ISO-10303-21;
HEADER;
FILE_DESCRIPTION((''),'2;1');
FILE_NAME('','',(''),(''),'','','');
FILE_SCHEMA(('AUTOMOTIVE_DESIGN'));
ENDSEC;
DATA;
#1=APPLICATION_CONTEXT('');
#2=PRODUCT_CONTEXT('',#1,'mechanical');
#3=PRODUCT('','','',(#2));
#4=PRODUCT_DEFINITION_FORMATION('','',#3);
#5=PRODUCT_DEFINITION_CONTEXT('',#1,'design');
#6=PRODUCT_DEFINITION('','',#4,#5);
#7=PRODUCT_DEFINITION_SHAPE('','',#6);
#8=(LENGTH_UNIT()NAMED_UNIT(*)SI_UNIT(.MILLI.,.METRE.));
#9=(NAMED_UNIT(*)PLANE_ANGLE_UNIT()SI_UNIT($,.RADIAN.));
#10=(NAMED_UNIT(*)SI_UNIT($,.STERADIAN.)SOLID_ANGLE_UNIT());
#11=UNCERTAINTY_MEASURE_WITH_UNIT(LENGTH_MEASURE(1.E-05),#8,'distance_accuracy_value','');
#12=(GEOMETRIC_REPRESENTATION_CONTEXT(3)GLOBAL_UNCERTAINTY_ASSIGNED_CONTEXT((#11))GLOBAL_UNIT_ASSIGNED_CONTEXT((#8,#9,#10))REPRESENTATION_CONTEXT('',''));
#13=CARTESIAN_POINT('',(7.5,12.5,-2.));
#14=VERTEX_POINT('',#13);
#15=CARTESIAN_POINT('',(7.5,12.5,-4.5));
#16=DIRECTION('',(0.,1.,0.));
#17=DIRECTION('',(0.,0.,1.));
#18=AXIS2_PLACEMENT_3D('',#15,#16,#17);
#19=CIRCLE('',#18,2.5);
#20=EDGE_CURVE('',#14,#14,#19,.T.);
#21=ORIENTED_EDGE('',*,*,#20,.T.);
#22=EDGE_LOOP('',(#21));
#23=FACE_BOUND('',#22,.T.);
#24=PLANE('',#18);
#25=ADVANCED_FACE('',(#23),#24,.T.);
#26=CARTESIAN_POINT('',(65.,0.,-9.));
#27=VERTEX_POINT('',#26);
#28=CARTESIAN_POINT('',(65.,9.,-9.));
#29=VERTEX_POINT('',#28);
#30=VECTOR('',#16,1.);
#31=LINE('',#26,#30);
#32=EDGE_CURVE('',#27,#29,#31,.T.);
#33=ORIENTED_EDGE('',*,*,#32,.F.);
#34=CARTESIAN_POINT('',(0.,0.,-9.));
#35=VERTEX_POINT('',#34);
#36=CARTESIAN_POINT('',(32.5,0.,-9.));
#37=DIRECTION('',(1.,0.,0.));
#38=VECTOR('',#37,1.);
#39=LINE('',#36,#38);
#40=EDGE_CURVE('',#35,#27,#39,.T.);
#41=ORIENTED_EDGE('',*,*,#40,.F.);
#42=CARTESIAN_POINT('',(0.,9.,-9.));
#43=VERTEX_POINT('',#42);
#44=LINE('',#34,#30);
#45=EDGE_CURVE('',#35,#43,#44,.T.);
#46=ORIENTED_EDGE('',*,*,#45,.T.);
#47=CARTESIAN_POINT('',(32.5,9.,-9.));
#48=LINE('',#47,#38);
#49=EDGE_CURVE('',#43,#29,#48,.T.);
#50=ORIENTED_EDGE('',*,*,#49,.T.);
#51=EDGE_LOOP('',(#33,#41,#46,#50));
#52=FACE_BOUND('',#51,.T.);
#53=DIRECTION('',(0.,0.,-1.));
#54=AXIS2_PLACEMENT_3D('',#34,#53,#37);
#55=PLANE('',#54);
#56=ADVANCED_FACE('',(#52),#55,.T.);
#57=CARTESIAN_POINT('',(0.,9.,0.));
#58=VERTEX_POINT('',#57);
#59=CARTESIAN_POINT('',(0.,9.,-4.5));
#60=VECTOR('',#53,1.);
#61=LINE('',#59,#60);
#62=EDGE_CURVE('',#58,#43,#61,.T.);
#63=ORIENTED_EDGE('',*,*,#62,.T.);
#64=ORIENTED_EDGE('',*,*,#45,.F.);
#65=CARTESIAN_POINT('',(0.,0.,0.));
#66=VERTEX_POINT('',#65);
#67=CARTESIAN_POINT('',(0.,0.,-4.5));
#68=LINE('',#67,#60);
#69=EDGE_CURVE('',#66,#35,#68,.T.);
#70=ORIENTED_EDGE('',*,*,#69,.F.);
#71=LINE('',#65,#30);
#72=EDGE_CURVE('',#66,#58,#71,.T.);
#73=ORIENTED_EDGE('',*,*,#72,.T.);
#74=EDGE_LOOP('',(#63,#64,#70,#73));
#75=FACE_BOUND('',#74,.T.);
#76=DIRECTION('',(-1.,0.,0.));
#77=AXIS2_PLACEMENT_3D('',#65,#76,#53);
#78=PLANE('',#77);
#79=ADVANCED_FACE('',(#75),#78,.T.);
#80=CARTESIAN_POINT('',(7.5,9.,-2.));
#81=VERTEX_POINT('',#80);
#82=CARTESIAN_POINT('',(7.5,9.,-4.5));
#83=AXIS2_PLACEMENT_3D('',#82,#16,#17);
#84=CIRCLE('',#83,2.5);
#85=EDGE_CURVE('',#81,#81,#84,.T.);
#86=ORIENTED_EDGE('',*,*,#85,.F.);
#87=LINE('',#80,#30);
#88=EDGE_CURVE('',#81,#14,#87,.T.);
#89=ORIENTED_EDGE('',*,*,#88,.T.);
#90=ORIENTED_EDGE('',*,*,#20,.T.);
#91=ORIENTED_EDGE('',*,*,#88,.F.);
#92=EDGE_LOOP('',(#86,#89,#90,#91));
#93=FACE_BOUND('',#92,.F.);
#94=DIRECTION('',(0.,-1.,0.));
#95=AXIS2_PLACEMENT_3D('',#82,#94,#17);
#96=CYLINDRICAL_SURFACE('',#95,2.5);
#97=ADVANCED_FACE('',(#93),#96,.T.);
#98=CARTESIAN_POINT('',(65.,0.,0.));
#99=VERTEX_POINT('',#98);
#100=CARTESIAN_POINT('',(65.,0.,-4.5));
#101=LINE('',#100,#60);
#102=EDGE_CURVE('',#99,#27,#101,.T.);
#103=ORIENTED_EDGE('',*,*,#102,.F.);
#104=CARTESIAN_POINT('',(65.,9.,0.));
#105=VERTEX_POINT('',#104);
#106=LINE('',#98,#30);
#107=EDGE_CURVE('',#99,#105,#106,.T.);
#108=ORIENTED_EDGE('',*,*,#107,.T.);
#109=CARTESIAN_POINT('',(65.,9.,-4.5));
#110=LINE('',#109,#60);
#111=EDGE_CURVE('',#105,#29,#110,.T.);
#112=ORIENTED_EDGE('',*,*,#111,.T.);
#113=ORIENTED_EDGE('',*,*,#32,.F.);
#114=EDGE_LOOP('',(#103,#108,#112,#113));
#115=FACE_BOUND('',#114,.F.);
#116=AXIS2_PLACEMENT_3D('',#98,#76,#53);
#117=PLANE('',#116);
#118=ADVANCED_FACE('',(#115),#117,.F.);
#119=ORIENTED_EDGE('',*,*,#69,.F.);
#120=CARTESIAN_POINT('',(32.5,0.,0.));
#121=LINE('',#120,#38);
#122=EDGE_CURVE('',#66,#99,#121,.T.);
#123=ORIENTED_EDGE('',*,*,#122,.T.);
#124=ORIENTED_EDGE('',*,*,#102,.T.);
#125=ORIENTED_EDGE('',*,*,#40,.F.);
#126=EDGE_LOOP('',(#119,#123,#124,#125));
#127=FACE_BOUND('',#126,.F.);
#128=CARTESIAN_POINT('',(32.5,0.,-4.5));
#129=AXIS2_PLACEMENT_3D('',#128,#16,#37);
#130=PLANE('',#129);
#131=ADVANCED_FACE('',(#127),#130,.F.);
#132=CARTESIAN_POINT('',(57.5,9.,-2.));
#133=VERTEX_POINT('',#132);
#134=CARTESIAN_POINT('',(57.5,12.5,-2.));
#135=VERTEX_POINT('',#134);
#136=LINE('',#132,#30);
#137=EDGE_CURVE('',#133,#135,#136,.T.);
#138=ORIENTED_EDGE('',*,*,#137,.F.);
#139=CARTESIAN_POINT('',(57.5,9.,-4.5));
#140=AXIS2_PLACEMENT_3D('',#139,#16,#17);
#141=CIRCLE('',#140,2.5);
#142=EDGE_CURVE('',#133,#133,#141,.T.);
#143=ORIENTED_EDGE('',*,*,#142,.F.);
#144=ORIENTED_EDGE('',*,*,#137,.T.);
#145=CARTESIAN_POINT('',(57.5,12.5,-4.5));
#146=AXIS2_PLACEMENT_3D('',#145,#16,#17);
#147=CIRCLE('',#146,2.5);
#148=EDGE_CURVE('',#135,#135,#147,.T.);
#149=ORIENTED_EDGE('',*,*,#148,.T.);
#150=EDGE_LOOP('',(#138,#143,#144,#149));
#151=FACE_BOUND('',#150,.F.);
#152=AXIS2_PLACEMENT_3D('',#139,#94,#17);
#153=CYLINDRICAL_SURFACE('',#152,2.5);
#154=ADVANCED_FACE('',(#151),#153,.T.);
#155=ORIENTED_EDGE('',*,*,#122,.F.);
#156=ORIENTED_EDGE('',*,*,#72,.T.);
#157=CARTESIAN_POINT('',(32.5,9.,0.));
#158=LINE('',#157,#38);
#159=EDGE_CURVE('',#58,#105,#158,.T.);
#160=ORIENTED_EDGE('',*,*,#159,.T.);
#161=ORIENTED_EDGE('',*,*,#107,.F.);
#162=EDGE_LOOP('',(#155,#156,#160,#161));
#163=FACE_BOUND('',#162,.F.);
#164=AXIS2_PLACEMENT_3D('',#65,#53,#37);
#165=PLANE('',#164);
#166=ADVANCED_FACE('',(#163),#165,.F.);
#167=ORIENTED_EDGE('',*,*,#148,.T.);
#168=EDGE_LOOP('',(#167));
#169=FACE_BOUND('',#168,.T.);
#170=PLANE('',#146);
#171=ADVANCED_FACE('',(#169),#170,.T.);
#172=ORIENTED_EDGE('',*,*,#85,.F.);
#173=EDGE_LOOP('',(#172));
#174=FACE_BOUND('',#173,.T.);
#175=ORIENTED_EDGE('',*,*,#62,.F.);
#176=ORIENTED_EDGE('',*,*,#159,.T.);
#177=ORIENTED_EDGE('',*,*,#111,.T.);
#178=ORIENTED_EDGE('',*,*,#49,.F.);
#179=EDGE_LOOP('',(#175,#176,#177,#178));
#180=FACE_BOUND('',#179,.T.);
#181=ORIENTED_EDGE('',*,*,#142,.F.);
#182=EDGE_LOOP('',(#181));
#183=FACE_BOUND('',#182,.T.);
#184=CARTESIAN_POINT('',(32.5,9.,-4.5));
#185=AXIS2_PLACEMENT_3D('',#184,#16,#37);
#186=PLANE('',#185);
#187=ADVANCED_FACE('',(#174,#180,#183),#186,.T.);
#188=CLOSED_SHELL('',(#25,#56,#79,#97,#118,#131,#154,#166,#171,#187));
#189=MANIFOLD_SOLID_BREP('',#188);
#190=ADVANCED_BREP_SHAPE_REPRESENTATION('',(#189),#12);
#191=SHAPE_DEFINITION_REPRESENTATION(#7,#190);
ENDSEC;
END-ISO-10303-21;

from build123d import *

# Parameters (mm, degrees)
SKETCH1_W           = 65
SKETCH1_H           = 9
BOSS_EXTRUDE1_DEPTH = 9
SKETCH2_R           = 2.5
BOSS_EXTRUDE2_DEPTH = 3.5


with BuildPart() as part:
    # Sketch1 → Boss-Extrude1 (new body)
    with BuildSketch(Plane(origin=(0, 0, 0), x_dir=(1, 0, 0), z_dir=(0, 1, 0))):
        with Locations((32.5, 4.5)):
            Rectangle(SKETCH1_W, SKETCH1_H)
    extrude(amount=BOSS_EXTRUDE1_DEPTH)

    # Sketch2 → Boss-Extrude2 (add)
    with BuildSketch(Plane(origin=(0, 9, 0), x_dir=(1, 0, 0), z_dir=(0, 1, 0))):
        with Locations(Location((7.5, 4.5, 0), (0, 0, 270))):  # turned: the seam where the file's is
            Circle(SKETCH2_R)
        with Locations(Location((57.5, 4.5, 0), (0, 0, 270))):  # turned: the seam where the file's is
            Circle(SKETCH2_R)
    extrude(amount=BOSS_EXTRUDE2_DEPTH)


solid = part.part
